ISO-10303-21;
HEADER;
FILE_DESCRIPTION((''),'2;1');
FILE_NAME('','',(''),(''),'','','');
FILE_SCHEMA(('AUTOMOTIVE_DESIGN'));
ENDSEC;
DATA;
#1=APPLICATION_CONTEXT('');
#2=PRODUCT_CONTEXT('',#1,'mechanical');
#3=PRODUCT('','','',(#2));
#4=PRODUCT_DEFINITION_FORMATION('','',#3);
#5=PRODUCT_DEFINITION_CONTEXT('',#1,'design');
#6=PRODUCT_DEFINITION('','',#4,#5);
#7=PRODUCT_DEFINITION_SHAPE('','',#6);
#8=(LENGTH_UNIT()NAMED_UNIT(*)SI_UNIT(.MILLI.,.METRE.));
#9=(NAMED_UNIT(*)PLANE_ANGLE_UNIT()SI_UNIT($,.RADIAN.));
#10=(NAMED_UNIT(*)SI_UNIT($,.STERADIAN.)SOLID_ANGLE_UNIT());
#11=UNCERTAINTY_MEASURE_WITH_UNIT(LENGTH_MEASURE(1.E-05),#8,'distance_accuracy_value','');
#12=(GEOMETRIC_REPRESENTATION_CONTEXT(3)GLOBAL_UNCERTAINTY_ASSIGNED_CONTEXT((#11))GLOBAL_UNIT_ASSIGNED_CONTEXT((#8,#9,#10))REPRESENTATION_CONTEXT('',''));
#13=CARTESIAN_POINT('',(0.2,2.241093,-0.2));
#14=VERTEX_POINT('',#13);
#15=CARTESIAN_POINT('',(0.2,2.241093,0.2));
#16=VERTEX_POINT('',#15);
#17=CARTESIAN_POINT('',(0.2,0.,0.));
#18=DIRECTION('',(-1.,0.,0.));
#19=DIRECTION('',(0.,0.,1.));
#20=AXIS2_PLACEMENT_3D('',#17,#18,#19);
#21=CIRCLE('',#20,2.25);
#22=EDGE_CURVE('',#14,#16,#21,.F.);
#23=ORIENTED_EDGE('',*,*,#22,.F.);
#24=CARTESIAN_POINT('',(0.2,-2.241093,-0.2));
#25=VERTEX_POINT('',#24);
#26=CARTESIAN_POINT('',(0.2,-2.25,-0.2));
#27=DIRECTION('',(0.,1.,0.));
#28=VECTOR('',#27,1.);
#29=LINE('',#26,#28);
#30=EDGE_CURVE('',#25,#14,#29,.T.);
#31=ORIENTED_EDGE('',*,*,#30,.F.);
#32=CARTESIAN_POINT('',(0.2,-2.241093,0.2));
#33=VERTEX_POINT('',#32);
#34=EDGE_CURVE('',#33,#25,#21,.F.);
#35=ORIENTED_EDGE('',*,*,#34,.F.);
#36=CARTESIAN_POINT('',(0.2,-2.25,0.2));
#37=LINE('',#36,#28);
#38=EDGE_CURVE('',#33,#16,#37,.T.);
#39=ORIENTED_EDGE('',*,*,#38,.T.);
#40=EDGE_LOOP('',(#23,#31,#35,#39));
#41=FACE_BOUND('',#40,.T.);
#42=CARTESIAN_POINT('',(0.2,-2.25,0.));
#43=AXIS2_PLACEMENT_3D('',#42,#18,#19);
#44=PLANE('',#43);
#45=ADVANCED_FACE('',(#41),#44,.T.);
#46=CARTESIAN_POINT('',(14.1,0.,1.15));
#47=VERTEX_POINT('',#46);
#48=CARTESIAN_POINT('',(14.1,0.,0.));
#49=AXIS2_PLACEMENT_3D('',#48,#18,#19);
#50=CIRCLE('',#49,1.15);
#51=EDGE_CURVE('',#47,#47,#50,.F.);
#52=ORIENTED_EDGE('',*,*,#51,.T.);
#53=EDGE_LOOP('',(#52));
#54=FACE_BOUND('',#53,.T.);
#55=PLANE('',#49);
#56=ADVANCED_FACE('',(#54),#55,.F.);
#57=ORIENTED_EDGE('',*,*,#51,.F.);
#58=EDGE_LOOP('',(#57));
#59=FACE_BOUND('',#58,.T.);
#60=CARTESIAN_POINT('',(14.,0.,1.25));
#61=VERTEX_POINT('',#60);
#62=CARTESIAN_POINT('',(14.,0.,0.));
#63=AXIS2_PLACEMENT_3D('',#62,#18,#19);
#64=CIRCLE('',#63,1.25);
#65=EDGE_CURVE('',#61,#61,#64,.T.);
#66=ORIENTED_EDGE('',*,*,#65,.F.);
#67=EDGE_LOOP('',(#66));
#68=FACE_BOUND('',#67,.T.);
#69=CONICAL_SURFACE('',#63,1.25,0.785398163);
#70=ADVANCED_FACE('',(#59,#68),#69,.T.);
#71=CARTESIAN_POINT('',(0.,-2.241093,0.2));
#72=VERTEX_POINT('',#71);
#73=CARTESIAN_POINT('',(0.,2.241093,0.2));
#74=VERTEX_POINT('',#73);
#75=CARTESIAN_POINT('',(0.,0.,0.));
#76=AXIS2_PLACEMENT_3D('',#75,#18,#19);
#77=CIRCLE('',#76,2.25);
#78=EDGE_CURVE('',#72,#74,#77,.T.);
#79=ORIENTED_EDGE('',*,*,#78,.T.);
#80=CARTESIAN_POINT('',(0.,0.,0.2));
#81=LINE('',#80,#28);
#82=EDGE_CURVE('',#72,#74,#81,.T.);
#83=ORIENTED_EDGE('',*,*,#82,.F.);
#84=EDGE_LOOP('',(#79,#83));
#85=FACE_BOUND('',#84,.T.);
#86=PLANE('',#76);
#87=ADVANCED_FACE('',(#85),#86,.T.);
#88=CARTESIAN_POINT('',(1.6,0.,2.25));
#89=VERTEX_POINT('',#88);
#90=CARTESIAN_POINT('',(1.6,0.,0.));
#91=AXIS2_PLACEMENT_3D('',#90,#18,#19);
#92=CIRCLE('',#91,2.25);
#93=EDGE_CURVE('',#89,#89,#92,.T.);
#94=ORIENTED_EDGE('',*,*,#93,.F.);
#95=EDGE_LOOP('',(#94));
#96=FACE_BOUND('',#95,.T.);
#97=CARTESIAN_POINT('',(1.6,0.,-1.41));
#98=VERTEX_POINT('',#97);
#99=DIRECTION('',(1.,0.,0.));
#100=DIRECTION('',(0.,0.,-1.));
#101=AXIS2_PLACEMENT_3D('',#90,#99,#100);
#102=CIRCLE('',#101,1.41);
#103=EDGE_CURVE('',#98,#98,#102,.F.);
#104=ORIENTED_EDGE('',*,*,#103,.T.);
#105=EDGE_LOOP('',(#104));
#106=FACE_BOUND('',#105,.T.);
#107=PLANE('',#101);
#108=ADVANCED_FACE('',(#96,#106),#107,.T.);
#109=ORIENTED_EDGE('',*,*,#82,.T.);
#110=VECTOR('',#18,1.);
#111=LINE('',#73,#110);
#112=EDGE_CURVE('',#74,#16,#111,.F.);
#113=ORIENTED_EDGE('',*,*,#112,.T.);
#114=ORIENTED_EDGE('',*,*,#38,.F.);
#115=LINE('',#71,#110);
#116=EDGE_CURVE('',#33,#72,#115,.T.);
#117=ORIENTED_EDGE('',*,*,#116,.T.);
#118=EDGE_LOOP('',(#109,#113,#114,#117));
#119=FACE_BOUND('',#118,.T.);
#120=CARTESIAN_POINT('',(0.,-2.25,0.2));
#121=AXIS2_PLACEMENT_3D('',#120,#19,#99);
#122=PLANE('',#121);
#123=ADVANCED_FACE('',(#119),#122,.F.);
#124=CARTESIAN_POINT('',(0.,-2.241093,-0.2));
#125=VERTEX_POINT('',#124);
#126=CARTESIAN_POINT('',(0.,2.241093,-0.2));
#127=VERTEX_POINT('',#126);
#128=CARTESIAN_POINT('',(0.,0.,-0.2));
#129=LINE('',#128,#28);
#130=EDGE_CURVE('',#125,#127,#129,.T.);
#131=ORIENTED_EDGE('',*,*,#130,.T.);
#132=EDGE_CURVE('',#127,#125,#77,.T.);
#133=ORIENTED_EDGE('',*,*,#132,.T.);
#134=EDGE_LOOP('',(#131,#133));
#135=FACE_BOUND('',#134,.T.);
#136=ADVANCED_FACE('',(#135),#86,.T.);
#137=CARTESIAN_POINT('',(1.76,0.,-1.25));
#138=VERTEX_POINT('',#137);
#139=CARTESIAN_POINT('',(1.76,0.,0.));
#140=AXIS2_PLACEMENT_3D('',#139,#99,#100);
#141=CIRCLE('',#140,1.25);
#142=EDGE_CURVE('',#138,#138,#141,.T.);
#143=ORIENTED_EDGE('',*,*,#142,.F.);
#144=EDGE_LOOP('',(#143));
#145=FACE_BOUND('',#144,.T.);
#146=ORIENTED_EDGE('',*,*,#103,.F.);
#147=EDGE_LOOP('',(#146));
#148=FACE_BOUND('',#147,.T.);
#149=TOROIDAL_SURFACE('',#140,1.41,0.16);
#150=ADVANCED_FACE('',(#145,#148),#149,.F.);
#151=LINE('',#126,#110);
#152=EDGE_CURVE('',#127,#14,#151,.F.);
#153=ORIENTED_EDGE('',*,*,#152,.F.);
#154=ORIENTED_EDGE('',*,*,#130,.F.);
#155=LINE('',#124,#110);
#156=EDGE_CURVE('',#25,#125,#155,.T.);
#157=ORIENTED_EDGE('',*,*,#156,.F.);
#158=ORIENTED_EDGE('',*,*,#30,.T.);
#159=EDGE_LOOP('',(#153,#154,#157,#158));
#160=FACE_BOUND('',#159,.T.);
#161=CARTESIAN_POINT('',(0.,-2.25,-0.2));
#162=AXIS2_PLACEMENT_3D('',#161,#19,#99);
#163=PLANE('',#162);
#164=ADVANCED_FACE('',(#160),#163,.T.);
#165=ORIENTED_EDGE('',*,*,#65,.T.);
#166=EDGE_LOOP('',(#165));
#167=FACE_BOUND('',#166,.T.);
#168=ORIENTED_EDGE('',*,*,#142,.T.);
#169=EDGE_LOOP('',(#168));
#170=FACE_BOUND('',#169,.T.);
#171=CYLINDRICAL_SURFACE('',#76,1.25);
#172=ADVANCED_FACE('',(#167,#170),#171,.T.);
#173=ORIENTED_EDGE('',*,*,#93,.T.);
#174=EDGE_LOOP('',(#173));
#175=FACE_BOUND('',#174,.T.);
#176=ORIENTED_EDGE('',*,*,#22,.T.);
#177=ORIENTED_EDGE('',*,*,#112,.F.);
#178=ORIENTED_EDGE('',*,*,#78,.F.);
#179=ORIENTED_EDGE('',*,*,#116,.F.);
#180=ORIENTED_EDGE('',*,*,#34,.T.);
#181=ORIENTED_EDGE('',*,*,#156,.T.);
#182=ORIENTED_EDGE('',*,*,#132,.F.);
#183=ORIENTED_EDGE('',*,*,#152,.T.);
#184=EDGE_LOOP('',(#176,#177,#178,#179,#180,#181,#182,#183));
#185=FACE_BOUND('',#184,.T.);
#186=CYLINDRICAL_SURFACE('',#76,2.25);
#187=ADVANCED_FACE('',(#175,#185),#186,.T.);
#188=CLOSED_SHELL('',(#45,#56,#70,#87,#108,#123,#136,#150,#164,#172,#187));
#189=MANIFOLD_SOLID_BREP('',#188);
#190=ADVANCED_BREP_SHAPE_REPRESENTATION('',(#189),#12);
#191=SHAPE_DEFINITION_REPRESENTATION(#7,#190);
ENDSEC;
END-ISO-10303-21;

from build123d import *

# Parameters (mm, degrees)
CHAMFER1_SIZE       = 0.1
FILLET1_R           = 0.16
EXTRUDE1_DEPTH      = 15.454584048
EXTRUDE1_DEPTH_BACK = 15.454584048
SKETCH2_W           = 0.2
SKETCH2_H           = 0.2


with BuildPart() as part:
    # Sketch1 → Revolve1 (revolve)
    with BuildSketch(Plane.XY, mode=Mode.PRIVATE) as revolve1_sk:
        Polygon((0, 2.25), (0, 0), (14.1, 0), (14.1, 1.25), (1.6, 1.25), (1.6, 2.25), align=None)
    revolve(revolve1_sk.sketch.rotate(Axis((0, 0, 0), (1, 0, 0)), 90), axis=Axis((0, 0, 0), (1, 0, 0)))

    # Chamfer1
    chamfer1_edges = [part.edges().sort_by_distance(p)[0] for p in [
        (14.1, 0, -1.25),
    ]]
    chamfer(chamfer1_edges, length=CHAMFER1_SIZE)

    # Fillet1
    fillet1_edges = [part.edges().sort_by_distance(p)[0] for p in [
        (1.6, 0, -1.25),
    ]]
    fillet(fillet1_edges, radius=FILLET1_R)

    # Sketch2 → Extrude1 (cut, two sides: drawn at the far end of the back side and taken through both)
    with BuildSketch(Plane(origin=(0, 0, 0), x_dir=(1, 0, 0), z_dir=(0, 1, 0)).offset(-EXTRUDE1_DEPTH_BACK)):
        with Locations((0.1, -0.1)):
            Rectangle(SKETCH2_W, SKETCH2_H)
        with Locations((0.1, 0.1)):
            Rectangle(SKETCH2_W, SKETCH2_H)
    extrude(amount=EXTRUDE1_DEPTH + EXTRUDE1_DEPTH_BACK, mode=Mode.SUBTRACT)


solid = part.part
